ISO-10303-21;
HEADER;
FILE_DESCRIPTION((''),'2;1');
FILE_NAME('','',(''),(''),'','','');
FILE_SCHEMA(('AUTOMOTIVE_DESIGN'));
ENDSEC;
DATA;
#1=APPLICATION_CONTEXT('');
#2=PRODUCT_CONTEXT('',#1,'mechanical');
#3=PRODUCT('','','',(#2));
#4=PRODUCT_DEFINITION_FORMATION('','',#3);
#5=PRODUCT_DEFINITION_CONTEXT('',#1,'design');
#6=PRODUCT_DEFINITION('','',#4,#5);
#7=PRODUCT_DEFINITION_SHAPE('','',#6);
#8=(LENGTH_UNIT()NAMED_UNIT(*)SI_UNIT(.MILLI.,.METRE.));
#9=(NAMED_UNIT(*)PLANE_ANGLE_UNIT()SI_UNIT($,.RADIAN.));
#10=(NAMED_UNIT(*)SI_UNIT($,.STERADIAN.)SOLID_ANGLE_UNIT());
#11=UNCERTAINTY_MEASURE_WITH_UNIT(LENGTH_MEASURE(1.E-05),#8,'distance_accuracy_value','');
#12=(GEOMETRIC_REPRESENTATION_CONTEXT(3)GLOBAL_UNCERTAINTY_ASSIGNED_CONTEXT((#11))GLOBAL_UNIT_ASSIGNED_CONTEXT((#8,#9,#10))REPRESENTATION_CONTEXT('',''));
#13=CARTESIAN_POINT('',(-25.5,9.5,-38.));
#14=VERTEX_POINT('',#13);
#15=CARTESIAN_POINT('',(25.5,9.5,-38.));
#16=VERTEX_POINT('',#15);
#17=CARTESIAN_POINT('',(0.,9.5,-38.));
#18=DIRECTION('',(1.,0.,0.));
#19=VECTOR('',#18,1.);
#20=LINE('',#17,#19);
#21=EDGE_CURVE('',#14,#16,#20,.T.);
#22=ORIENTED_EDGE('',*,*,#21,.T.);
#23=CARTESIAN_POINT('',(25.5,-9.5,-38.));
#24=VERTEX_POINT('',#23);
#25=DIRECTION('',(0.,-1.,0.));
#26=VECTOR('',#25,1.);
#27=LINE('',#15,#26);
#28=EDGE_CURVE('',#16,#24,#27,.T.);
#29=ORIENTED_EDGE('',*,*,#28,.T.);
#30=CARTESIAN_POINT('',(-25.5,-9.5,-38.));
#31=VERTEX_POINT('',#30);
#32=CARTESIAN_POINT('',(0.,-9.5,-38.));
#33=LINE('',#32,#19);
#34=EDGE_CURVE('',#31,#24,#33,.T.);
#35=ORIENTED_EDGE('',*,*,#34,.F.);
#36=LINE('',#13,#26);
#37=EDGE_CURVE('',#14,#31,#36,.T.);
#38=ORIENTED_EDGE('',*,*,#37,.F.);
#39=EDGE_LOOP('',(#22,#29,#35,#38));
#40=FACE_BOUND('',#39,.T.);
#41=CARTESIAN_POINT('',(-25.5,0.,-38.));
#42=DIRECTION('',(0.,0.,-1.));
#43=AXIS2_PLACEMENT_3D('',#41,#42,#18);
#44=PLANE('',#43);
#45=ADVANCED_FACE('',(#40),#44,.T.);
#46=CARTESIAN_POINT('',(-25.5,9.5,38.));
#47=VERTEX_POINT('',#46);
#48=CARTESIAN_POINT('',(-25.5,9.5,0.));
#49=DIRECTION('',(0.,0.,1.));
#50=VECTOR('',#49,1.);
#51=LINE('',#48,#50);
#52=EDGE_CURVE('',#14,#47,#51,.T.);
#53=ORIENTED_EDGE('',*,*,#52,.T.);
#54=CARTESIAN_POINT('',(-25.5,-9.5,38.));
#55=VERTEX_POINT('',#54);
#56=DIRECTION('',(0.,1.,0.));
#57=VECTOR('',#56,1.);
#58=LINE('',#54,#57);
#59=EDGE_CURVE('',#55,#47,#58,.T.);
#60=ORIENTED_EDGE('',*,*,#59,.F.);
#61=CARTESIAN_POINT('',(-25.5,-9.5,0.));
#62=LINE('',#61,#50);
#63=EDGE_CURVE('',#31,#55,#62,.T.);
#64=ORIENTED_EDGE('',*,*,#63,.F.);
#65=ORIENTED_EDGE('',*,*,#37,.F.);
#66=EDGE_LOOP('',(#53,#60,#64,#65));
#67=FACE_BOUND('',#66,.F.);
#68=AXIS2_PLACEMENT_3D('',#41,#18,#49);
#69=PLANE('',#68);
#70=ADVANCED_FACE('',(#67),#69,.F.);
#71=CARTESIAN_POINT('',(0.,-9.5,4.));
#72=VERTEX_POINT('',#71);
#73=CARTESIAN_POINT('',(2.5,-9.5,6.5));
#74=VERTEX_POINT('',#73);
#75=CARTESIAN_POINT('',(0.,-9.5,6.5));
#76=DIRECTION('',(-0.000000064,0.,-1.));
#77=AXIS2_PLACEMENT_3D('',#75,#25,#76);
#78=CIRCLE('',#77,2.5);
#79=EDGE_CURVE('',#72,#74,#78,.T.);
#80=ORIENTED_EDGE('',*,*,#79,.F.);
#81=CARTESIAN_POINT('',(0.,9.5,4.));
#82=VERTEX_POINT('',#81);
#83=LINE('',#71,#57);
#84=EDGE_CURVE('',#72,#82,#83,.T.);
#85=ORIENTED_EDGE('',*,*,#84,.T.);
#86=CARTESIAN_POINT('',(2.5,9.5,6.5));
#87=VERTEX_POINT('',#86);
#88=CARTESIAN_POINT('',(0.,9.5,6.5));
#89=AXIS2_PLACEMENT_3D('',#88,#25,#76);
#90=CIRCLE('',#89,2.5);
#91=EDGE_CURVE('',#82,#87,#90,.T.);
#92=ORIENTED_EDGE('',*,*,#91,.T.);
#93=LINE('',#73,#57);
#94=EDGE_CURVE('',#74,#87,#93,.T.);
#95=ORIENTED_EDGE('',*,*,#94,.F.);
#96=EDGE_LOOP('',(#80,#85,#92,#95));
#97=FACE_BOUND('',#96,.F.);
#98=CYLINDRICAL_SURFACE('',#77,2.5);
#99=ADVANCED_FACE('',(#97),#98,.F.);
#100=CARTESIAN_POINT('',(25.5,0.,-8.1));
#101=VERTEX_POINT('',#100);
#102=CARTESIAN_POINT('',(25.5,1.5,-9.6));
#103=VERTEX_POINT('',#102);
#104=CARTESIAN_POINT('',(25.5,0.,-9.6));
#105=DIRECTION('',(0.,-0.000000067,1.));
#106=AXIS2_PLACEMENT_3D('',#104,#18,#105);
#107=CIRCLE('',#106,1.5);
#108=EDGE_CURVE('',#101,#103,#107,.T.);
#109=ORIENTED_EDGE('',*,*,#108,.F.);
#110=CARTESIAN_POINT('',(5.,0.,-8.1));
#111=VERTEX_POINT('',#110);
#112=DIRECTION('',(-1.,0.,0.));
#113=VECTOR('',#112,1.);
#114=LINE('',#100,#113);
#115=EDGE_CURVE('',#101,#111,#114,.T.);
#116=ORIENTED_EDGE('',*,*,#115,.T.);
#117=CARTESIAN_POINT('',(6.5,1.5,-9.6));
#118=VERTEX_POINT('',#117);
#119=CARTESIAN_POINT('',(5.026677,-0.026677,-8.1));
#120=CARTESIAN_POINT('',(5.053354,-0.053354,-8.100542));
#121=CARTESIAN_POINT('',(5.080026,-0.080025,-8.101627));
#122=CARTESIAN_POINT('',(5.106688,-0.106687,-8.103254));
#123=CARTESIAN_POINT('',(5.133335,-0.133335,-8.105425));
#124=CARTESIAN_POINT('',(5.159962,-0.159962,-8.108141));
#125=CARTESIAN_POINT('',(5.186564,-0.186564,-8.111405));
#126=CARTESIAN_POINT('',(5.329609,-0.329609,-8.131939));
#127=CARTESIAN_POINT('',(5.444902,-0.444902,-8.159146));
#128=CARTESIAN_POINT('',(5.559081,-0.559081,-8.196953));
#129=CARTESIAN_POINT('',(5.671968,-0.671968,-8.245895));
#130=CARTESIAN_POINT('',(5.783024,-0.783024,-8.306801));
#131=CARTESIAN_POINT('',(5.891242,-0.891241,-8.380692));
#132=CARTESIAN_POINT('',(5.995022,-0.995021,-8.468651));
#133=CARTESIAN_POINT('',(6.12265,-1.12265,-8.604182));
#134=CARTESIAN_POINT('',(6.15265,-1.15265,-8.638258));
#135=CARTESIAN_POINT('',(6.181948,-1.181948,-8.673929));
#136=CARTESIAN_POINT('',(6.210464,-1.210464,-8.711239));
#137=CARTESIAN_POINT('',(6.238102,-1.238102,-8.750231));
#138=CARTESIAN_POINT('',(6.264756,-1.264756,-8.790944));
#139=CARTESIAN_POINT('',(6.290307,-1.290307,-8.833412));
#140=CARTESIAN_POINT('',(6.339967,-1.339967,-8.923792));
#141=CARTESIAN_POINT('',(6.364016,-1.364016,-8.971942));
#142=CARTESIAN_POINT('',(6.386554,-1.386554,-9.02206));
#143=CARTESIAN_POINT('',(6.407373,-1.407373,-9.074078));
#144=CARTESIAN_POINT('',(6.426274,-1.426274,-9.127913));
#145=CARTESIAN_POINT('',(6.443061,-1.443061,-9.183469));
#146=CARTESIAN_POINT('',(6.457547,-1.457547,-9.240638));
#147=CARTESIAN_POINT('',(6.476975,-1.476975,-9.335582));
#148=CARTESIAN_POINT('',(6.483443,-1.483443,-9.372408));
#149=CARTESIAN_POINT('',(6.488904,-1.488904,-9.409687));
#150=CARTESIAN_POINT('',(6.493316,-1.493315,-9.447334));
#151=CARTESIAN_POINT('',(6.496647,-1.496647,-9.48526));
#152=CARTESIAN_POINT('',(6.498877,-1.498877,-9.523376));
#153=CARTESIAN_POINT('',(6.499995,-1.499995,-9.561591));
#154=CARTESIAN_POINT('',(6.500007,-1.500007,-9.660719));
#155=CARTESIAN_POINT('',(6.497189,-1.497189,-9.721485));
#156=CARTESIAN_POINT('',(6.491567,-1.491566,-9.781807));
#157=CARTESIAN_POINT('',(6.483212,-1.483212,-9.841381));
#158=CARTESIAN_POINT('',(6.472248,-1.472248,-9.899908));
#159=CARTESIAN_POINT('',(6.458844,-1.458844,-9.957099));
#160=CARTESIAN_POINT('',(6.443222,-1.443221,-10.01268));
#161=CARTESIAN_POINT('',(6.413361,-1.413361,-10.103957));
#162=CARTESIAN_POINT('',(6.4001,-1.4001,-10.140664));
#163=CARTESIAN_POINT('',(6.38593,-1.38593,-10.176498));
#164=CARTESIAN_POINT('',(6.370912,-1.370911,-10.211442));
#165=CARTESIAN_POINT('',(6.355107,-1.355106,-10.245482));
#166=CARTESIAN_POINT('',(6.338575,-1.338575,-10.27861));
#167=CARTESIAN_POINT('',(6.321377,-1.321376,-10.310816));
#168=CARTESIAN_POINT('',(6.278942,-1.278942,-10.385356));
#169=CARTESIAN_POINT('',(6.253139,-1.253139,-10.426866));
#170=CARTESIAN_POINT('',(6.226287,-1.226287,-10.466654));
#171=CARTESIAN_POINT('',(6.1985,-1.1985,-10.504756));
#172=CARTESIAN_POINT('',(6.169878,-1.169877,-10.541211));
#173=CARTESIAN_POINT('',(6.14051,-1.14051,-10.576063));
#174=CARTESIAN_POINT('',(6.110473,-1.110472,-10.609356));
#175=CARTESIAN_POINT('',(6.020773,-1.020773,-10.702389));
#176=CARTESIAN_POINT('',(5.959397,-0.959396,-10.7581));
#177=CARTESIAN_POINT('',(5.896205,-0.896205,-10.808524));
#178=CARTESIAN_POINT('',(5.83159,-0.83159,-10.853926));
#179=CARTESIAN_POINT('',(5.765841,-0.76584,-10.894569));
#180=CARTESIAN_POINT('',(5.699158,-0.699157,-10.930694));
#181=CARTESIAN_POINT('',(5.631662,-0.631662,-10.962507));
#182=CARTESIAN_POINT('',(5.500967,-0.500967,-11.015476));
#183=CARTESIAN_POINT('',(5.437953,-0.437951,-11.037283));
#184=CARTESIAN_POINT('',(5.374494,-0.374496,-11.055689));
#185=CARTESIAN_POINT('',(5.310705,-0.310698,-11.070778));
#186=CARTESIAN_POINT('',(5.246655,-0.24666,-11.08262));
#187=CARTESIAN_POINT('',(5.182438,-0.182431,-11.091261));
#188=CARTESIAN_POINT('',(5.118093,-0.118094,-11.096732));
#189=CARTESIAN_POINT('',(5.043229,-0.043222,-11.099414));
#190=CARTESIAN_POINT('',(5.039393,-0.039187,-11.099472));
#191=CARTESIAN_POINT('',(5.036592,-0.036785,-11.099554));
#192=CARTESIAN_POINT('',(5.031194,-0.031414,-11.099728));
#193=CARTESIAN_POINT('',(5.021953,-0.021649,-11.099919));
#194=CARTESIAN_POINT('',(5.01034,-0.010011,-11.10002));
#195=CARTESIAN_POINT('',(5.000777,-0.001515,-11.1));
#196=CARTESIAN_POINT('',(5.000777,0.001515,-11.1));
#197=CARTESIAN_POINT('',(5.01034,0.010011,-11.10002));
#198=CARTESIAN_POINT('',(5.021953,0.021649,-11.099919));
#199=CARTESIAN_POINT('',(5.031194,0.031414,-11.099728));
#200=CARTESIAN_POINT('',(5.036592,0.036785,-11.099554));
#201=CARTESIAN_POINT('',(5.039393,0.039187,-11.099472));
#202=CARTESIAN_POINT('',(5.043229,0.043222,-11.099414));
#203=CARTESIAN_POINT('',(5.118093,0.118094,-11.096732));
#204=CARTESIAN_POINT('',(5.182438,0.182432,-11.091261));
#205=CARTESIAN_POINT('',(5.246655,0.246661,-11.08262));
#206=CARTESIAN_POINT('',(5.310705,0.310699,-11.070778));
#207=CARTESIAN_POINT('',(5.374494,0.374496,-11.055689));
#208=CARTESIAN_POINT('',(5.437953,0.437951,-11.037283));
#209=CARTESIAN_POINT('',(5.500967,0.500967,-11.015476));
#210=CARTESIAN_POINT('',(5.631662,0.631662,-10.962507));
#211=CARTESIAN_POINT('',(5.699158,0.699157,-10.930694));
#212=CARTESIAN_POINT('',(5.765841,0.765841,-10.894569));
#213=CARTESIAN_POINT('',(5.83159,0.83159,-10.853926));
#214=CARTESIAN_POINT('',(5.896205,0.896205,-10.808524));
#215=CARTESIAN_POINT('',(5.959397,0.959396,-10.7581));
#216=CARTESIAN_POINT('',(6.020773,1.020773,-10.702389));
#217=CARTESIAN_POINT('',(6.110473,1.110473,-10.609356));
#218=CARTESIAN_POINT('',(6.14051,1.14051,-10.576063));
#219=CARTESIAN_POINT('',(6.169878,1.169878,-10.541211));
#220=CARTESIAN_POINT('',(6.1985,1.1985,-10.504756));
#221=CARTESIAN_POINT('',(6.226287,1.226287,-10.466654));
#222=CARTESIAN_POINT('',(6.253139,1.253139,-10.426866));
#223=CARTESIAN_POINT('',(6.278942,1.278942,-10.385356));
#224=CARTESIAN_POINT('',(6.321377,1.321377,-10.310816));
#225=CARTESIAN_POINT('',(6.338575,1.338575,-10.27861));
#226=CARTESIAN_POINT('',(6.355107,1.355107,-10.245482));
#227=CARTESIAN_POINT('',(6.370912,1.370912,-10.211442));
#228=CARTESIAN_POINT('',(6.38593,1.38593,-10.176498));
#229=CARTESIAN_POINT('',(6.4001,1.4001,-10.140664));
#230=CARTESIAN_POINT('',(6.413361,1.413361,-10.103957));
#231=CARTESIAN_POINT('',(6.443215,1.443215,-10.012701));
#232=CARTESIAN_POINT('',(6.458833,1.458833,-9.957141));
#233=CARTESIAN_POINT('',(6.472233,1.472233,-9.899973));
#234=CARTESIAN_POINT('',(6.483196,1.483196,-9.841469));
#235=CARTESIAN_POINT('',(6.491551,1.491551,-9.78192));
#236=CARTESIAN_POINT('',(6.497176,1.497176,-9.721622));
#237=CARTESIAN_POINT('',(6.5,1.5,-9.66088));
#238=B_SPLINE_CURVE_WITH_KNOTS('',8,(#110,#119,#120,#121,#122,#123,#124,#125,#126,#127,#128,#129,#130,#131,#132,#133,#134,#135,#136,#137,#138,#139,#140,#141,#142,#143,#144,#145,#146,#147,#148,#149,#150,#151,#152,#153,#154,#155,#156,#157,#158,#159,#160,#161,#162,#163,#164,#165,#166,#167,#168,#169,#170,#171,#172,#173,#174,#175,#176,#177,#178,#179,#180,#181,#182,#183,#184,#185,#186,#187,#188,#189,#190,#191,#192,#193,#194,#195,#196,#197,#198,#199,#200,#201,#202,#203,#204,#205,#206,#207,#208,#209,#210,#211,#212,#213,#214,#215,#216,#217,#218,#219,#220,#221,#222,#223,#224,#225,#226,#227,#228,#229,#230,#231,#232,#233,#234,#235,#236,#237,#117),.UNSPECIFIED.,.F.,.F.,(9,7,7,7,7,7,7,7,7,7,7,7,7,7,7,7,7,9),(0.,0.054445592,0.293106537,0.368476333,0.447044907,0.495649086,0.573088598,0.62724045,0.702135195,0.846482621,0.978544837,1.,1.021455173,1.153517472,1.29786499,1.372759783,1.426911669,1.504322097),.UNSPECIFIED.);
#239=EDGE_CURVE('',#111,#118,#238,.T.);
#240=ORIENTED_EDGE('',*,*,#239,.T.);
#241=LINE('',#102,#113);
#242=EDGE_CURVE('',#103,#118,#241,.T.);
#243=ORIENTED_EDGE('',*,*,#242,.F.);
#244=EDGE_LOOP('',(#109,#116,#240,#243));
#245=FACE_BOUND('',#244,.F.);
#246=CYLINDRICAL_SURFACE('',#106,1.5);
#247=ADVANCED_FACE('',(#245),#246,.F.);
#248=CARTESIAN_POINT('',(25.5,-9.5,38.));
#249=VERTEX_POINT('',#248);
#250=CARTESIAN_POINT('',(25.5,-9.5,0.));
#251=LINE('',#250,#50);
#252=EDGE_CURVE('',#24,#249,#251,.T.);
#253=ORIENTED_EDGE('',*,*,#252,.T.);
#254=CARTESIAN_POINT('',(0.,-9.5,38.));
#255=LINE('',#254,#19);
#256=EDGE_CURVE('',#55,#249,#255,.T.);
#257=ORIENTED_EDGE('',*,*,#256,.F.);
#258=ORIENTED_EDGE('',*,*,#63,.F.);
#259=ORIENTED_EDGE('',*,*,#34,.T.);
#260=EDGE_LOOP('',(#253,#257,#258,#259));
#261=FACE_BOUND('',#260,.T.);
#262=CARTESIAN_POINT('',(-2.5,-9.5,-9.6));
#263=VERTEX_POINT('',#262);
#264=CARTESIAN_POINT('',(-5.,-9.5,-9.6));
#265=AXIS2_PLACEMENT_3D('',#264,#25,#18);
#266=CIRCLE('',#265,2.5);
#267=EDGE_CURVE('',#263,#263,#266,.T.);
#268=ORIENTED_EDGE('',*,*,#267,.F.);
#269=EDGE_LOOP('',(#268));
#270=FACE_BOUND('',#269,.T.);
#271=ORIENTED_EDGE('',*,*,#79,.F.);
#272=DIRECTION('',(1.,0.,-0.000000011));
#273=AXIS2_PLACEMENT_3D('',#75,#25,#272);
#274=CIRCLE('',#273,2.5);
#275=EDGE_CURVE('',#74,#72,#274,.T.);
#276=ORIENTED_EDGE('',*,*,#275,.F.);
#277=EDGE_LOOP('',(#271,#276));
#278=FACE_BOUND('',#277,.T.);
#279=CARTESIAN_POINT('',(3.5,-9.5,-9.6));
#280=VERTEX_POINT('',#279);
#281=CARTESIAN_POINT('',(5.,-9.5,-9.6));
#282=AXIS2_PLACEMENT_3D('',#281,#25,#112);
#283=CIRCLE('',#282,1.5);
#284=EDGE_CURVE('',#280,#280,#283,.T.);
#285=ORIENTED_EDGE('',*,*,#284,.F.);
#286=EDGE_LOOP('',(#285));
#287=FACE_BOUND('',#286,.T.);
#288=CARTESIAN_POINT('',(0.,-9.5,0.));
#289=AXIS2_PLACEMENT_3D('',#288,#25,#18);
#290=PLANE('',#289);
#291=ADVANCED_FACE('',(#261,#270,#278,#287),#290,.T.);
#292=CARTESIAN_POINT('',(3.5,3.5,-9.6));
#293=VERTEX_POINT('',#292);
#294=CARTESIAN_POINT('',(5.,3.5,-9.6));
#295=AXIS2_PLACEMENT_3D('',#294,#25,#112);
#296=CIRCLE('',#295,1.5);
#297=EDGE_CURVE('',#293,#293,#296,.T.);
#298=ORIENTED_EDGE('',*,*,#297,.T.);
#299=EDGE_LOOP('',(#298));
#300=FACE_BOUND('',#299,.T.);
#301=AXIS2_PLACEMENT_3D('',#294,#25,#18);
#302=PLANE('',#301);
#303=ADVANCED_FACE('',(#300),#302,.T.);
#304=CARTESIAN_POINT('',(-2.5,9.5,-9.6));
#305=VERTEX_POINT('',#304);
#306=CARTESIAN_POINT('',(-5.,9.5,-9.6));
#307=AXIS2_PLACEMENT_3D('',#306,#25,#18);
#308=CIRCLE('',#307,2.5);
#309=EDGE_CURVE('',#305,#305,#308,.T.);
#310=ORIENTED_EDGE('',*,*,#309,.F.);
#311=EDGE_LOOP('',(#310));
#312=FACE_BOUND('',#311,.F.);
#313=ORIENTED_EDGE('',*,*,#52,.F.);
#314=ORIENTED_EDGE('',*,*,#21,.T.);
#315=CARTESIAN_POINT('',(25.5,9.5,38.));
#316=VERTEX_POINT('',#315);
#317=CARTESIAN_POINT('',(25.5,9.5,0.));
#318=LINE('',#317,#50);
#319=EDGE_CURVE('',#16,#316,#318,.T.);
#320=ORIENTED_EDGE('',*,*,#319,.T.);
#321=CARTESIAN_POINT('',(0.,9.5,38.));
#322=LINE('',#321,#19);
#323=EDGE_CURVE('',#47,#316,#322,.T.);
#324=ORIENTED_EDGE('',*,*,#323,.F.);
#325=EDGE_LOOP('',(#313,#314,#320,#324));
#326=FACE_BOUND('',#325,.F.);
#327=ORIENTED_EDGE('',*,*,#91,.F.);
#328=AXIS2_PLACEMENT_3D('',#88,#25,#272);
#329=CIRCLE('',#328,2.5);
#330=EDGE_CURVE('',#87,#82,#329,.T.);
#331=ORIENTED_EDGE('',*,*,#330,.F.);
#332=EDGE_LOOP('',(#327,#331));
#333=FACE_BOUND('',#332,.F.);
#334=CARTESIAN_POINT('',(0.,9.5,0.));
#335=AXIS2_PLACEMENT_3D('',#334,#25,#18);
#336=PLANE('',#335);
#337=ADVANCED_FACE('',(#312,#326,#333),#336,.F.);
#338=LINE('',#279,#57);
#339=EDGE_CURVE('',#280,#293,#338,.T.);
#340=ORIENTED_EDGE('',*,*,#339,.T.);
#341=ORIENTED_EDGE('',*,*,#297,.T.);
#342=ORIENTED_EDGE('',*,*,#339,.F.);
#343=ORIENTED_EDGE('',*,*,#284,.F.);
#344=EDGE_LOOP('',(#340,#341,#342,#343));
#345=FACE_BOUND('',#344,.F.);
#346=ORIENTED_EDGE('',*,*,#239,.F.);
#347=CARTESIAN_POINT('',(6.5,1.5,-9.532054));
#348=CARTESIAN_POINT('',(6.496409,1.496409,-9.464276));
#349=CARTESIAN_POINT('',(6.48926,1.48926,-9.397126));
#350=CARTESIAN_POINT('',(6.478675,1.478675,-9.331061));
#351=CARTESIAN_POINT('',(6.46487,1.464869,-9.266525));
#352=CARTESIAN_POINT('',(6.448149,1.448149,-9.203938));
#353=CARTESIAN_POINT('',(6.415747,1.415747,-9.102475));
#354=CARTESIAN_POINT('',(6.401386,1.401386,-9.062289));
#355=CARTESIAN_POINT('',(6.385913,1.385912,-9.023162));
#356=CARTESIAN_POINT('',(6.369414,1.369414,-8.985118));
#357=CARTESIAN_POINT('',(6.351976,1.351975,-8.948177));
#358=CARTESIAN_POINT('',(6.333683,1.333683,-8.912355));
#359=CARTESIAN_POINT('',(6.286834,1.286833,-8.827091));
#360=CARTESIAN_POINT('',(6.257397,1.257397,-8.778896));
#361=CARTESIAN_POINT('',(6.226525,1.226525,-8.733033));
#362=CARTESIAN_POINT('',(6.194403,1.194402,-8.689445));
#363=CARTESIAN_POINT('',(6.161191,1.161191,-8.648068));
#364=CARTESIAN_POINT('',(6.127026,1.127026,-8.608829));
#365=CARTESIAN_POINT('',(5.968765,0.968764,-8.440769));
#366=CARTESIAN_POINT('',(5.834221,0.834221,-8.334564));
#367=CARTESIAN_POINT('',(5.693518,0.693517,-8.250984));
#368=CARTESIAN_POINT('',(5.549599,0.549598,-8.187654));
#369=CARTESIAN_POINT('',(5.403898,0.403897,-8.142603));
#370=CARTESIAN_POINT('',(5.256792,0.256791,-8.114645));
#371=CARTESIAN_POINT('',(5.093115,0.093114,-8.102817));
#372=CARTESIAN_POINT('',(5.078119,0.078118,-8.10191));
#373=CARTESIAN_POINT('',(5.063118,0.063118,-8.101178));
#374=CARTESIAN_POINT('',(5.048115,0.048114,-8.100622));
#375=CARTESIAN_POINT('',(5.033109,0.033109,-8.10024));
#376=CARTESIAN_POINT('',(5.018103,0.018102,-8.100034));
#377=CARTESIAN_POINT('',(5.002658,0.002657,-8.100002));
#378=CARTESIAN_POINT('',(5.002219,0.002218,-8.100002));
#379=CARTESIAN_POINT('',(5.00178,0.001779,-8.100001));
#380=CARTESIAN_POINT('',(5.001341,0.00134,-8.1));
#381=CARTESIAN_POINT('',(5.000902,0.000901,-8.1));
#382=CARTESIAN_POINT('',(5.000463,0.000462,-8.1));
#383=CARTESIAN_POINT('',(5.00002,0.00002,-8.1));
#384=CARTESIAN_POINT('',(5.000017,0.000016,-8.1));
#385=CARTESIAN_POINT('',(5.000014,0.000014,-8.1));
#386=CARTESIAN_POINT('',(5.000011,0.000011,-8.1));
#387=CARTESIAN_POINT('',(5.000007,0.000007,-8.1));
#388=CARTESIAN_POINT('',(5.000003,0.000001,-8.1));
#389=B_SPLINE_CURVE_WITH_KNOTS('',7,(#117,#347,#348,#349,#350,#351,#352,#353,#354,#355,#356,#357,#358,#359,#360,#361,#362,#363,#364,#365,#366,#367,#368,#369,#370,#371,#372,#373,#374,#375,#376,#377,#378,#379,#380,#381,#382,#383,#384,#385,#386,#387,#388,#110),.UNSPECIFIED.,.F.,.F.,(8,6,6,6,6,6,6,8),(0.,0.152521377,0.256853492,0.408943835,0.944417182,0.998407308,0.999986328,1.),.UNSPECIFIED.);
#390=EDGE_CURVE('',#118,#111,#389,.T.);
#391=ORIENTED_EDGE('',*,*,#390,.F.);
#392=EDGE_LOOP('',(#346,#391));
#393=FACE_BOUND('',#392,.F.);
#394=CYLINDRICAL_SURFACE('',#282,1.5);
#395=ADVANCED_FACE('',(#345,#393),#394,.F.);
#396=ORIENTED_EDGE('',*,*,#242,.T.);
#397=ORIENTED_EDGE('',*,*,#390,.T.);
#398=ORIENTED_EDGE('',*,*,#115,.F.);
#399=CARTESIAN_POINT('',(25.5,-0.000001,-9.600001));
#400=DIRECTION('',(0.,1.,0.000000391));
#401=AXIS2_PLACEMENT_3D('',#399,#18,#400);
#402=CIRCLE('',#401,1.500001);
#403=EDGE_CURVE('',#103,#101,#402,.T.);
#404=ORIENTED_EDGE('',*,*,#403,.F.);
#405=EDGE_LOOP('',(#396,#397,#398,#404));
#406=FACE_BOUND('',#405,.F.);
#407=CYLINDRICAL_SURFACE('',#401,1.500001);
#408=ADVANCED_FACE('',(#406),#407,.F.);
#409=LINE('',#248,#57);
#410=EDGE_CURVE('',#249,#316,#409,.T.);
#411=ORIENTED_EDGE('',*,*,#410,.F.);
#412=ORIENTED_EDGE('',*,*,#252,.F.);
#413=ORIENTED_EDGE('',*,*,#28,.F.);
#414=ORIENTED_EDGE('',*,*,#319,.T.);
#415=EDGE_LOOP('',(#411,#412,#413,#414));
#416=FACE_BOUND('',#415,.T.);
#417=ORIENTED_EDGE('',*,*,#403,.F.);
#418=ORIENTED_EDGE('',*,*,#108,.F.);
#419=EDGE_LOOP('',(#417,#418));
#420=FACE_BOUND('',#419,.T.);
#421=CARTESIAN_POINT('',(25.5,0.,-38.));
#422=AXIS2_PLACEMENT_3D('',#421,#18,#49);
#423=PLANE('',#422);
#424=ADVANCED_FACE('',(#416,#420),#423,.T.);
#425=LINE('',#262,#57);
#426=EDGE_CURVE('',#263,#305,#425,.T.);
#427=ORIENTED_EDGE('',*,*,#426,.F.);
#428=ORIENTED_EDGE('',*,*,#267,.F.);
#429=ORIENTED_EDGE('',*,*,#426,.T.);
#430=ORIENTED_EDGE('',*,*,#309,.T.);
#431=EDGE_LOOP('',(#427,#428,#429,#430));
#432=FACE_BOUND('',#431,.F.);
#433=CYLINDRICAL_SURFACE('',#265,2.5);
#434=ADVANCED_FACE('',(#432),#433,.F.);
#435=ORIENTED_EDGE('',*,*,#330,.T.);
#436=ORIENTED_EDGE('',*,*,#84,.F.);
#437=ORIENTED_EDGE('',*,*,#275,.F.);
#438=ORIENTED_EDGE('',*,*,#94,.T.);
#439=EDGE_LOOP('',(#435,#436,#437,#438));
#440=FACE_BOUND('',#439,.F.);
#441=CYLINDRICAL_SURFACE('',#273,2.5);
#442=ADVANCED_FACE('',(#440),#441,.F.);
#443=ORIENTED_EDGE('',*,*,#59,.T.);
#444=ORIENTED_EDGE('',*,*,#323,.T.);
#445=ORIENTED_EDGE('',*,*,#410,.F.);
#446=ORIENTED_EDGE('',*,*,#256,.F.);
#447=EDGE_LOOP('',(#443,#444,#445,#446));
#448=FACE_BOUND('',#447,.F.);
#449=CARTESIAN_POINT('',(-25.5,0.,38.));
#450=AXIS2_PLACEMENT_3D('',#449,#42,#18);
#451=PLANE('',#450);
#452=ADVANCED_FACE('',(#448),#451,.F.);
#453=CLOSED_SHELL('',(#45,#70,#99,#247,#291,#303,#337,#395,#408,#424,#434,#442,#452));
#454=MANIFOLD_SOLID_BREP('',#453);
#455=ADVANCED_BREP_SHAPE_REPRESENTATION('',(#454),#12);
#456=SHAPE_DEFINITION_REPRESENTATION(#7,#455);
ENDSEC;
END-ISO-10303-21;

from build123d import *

# Parameters (mm, degrees)
F0_W     = 51
F0_H     = 76
F1_DEPTH = 9.5
F3_DEPTH = 19.001
F2_R     = 2.5
F4_DEPTH = 19.001
F5_DEPTH = 13
F7_DEPTH = 20.5


with BuildPart() as f1:
    # F0 (on Front) → F1 (new body, symmetric)
    with BuildSketch(Plane.XZ):
        Rectangle(F0_W, F0_H)
    extrude(amount=F1_DEPTH, both=True)

    # F2 (on face) → F3 (cut, through all)
    with BuildSketch(Plane.XZ.offset(9.5)):
        with BuildLine():
            ThreePointArc((2.5, 6.5), (-1.767767, 8.267767), (0, 4))
            ThreePointArc((0, 4), (1.767767, 4.732233), (2.5, 6.5))
        make_face()
    extrude(amount=-F3_DEPTH, mode=Mode.SUBTRACT)

    # F2 (on face) → F4 (cut, through all)
    with BuildSketch(Plane.XZ.offset(9.5)):
        with Locations((-5, -9.6)):
            Circle(F2_R)
    extrude(amount=-F4_DEPTH, mode=Mode.SUBTRACT)

    # F2 (on face) → F5 (cut)
    with BuildSketch(Plane.XZ.offset(9.5)):
        with BuildLine():
            ThreePointArc((6.5, -9.6), (5, -8.1), (3.5, -9.6))
            ThreePointArc((3.5, -9.6), (5, -11.1), (6.5, -9.6))
        make_face()
    extrude(amount=-F5_DEPTH, mode=Mode.SUBTRACT)

    # F6 (on face) → F7 (cut)
    with BuildSketch(Plane.YZ.offset(25.5)):
        with BuildLine():
            ThreePointArc((0, -8.1), (-1.06066, -10.66066), (1.5, -9.6))
            ThreePointArc((1.5, -9.6), (1.06066, -8.53934), (0, -8.1))
        make_face()
    extrude(amount=-F7_DEPTH, mode=Mode.SUBTRACT)


solid = f1.part
